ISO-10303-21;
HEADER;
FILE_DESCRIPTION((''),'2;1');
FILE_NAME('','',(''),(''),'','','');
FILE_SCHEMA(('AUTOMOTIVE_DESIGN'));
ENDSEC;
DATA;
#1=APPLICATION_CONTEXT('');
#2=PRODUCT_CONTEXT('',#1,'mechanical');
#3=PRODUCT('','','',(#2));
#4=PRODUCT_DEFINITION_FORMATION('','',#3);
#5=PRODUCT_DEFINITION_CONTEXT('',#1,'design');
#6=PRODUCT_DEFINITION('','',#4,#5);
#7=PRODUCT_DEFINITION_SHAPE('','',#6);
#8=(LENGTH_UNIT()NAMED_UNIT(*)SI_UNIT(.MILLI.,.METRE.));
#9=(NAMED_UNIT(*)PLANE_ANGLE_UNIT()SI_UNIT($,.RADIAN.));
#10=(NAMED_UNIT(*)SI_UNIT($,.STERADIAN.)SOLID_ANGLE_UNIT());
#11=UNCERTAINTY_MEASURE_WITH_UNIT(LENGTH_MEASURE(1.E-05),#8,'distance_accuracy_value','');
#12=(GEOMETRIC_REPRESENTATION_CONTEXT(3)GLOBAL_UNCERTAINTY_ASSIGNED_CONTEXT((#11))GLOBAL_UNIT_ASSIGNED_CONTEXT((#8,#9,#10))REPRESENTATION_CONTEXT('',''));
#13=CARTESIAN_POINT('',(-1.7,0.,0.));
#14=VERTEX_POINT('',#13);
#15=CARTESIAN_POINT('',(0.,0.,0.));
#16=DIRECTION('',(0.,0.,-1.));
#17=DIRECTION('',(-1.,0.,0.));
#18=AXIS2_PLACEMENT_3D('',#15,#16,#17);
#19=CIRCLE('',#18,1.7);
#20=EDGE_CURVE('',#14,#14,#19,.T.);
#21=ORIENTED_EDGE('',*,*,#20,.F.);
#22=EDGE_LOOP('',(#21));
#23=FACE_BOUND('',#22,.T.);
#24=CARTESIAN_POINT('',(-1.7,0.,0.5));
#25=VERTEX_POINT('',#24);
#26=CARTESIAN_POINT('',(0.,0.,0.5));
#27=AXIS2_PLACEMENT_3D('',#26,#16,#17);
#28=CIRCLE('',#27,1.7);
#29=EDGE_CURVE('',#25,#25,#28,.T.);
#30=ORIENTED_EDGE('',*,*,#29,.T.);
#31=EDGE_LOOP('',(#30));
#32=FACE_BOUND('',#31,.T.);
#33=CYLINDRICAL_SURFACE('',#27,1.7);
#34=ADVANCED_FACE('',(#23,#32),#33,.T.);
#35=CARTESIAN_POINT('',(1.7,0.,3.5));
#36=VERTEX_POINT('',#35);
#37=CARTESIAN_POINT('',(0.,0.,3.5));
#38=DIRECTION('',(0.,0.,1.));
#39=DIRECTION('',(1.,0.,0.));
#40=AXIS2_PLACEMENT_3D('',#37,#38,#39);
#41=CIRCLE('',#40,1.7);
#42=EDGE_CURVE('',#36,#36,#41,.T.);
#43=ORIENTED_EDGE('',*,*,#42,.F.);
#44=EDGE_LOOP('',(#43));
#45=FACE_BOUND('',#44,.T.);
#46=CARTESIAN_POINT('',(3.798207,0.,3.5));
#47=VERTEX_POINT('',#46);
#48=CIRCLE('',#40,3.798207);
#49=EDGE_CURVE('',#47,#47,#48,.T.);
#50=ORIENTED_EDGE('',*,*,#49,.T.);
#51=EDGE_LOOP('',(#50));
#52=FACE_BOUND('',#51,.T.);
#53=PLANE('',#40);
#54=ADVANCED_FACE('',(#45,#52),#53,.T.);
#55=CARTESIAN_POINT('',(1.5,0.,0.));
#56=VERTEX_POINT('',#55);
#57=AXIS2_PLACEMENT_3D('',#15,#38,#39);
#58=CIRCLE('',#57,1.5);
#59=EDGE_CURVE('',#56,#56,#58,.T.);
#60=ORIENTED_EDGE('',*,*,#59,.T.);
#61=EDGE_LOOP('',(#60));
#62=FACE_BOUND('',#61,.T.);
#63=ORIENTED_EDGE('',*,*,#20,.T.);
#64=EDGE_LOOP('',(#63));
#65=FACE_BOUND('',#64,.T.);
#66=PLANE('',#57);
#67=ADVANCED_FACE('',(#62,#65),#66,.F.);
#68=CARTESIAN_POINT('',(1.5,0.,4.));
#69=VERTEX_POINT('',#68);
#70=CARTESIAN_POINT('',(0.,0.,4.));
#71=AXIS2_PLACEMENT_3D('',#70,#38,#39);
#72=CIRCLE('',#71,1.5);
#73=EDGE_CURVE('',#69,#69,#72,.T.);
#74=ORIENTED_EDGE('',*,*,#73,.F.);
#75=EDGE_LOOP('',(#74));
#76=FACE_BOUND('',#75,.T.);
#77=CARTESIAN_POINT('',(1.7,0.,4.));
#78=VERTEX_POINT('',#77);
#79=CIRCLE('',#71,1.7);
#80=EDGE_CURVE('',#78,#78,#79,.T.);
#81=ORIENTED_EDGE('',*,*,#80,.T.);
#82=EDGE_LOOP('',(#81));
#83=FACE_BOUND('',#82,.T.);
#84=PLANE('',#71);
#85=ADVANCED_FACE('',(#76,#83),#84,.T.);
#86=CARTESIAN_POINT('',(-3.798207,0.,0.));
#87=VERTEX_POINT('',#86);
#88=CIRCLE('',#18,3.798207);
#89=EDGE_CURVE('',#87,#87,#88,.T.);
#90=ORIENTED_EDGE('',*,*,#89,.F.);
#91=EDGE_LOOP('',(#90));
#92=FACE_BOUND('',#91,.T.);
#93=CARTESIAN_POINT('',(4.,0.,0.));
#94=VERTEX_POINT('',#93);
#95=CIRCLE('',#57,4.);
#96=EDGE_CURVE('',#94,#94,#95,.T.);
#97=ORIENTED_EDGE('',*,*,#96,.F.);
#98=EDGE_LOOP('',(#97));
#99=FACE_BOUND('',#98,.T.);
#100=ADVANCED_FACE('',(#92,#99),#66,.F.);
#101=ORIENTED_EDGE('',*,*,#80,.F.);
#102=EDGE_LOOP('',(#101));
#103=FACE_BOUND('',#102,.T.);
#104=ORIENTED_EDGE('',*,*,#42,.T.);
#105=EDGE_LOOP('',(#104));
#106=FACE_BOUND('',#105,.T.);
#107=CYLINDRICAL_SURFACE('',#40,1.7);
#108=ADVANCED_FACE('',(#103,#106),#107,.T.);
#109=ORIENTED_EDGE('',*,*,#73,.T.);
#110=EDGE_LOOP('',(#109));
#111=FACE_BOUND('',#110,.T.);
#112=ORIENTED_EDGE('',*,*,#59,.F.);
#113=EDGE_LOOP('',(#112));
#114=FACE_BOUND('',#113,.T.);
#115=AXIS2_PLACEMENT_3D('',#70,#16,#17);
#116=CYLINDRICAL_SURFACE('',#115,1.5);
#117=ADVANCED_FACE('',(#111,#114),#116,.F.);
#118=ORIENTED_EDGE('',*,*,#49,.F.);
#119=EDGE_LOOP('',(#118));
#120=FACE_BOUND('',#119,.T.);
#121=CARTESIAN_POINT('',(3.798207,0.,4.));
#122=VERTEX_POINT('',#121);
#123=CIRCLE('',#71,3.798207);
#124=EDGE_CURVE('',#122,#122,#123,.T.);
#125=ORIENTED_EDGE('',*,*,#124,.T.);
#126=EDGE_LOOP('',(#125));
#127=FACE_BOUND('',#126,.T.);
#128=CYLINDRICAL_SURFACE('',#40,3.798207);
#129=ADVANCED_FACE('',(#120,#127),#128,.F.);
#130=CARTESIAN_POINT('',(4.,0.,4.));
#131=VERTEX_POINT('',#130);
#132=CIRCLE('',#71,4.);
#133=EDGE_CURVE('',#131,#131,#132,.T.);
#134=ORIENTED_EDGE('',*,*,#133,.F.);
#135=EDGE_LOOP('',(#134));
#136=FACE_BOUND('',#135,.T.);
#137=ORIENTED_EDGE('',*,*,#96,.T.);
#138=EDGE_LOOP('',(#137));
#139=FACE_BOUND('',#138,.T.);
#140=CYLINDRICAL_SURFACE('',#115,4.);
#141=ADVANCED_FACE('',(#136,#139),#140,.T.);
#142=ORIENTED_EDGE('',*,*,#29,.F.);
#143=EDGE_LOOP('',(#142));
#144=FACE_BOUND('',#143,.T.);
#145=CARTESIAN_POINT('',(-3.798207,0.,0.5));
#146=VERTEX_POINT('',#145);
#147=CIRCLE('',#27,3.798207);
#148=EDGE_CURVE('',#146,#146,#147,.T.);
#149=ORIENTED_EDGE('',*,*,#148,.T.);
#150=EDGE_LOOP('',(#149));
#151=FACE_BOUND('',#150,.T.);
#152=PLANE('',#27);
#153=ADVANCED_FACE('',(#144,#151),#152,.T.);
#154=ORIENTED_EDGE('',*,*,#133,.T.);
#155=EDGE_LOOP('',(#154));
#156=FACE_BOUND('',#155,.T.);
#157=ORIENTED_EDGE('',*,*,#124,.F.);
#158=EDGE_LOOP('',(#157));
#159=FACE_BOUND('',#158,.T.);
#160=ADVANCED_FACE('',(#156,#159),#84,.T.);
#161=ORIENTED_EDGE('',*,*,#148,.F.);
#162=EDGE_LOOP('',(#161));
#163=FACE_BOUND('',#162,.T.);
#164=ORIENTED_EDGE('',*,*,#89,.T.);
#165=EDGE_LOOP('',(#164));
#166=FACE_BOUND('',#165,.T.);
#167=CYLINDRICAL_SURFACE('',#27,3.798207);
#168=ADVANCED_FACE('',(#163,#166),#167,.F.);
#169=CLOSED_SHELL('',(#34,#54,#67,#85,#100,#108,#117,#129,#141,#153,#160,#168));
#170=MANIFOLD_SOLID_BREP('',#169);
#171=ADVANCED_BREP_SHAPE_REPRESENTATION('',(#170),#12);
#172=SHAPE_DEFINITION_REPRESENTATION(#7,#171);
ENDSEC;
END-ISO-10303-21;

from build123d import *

# Parameters (mm, degrees)
SKETCH1_R           = 4
SKETCH1_R_2         = 1.5
BOSS_EXTRUDE1_DEPTH = 4
SKETCH2_R           = 3.798207028
SKETCH2_R_2         = 1.7
CUT_EXTRUDE2_DEPTH  = 0.5
CUT_EXTRUDE3_START  = -0.5
SKETCH3_R           = 3.798207028
SKETCH3_R_2         = 1.7
CUT_EXTRUDE3_DEPTH  = 0.5


with BuildPart() as part:
    # Sketch1 → Boss-Extrude1 (new body)
    with BuildSketch(Plane.XY):
        Circle(SKETCH1_R)
        Circle(SKETCH1_R_2, mode=Mode.SUBTRACT)
    extrude(amount=BOSS_EXTRUDE1_DEPTH)

    # Sketch2 → Cut-Extrude2 (cut)
    with BuildSketch(Plane.XY.offset(4)):
        Circle(SKETCH2_R)
        Circle(SKETCH2_R_2, mode=Mode.SUBTRACT)
    extrude(amount=-CUT_EXTRUDE2_DEPTH, mode=Mode.SUBTRACT)

    # Sketch3 → Cut-Extrude3 (cut)
    with BuildSketch(Plane(origin=(0, 0, 0), x_dir=(-1, 0, 0), z_dir=(0, 0, -1)).offset(CUT_EXTRUDE3_START)):
        with Locations(Location((0, 0, 0), (0, 0, 180))):
            Circle(SKETCH3_R)
        with Locations(Location((0, 0, 0), (0, 0, 180))):
            Circle(SKETCH3_R_2, mode=Mode.SUBTRACT)
    extrude(amount=CUT_EXTRUDE3_DEPTH, mode=Mode.SUBTRACT)


solid = part.part
